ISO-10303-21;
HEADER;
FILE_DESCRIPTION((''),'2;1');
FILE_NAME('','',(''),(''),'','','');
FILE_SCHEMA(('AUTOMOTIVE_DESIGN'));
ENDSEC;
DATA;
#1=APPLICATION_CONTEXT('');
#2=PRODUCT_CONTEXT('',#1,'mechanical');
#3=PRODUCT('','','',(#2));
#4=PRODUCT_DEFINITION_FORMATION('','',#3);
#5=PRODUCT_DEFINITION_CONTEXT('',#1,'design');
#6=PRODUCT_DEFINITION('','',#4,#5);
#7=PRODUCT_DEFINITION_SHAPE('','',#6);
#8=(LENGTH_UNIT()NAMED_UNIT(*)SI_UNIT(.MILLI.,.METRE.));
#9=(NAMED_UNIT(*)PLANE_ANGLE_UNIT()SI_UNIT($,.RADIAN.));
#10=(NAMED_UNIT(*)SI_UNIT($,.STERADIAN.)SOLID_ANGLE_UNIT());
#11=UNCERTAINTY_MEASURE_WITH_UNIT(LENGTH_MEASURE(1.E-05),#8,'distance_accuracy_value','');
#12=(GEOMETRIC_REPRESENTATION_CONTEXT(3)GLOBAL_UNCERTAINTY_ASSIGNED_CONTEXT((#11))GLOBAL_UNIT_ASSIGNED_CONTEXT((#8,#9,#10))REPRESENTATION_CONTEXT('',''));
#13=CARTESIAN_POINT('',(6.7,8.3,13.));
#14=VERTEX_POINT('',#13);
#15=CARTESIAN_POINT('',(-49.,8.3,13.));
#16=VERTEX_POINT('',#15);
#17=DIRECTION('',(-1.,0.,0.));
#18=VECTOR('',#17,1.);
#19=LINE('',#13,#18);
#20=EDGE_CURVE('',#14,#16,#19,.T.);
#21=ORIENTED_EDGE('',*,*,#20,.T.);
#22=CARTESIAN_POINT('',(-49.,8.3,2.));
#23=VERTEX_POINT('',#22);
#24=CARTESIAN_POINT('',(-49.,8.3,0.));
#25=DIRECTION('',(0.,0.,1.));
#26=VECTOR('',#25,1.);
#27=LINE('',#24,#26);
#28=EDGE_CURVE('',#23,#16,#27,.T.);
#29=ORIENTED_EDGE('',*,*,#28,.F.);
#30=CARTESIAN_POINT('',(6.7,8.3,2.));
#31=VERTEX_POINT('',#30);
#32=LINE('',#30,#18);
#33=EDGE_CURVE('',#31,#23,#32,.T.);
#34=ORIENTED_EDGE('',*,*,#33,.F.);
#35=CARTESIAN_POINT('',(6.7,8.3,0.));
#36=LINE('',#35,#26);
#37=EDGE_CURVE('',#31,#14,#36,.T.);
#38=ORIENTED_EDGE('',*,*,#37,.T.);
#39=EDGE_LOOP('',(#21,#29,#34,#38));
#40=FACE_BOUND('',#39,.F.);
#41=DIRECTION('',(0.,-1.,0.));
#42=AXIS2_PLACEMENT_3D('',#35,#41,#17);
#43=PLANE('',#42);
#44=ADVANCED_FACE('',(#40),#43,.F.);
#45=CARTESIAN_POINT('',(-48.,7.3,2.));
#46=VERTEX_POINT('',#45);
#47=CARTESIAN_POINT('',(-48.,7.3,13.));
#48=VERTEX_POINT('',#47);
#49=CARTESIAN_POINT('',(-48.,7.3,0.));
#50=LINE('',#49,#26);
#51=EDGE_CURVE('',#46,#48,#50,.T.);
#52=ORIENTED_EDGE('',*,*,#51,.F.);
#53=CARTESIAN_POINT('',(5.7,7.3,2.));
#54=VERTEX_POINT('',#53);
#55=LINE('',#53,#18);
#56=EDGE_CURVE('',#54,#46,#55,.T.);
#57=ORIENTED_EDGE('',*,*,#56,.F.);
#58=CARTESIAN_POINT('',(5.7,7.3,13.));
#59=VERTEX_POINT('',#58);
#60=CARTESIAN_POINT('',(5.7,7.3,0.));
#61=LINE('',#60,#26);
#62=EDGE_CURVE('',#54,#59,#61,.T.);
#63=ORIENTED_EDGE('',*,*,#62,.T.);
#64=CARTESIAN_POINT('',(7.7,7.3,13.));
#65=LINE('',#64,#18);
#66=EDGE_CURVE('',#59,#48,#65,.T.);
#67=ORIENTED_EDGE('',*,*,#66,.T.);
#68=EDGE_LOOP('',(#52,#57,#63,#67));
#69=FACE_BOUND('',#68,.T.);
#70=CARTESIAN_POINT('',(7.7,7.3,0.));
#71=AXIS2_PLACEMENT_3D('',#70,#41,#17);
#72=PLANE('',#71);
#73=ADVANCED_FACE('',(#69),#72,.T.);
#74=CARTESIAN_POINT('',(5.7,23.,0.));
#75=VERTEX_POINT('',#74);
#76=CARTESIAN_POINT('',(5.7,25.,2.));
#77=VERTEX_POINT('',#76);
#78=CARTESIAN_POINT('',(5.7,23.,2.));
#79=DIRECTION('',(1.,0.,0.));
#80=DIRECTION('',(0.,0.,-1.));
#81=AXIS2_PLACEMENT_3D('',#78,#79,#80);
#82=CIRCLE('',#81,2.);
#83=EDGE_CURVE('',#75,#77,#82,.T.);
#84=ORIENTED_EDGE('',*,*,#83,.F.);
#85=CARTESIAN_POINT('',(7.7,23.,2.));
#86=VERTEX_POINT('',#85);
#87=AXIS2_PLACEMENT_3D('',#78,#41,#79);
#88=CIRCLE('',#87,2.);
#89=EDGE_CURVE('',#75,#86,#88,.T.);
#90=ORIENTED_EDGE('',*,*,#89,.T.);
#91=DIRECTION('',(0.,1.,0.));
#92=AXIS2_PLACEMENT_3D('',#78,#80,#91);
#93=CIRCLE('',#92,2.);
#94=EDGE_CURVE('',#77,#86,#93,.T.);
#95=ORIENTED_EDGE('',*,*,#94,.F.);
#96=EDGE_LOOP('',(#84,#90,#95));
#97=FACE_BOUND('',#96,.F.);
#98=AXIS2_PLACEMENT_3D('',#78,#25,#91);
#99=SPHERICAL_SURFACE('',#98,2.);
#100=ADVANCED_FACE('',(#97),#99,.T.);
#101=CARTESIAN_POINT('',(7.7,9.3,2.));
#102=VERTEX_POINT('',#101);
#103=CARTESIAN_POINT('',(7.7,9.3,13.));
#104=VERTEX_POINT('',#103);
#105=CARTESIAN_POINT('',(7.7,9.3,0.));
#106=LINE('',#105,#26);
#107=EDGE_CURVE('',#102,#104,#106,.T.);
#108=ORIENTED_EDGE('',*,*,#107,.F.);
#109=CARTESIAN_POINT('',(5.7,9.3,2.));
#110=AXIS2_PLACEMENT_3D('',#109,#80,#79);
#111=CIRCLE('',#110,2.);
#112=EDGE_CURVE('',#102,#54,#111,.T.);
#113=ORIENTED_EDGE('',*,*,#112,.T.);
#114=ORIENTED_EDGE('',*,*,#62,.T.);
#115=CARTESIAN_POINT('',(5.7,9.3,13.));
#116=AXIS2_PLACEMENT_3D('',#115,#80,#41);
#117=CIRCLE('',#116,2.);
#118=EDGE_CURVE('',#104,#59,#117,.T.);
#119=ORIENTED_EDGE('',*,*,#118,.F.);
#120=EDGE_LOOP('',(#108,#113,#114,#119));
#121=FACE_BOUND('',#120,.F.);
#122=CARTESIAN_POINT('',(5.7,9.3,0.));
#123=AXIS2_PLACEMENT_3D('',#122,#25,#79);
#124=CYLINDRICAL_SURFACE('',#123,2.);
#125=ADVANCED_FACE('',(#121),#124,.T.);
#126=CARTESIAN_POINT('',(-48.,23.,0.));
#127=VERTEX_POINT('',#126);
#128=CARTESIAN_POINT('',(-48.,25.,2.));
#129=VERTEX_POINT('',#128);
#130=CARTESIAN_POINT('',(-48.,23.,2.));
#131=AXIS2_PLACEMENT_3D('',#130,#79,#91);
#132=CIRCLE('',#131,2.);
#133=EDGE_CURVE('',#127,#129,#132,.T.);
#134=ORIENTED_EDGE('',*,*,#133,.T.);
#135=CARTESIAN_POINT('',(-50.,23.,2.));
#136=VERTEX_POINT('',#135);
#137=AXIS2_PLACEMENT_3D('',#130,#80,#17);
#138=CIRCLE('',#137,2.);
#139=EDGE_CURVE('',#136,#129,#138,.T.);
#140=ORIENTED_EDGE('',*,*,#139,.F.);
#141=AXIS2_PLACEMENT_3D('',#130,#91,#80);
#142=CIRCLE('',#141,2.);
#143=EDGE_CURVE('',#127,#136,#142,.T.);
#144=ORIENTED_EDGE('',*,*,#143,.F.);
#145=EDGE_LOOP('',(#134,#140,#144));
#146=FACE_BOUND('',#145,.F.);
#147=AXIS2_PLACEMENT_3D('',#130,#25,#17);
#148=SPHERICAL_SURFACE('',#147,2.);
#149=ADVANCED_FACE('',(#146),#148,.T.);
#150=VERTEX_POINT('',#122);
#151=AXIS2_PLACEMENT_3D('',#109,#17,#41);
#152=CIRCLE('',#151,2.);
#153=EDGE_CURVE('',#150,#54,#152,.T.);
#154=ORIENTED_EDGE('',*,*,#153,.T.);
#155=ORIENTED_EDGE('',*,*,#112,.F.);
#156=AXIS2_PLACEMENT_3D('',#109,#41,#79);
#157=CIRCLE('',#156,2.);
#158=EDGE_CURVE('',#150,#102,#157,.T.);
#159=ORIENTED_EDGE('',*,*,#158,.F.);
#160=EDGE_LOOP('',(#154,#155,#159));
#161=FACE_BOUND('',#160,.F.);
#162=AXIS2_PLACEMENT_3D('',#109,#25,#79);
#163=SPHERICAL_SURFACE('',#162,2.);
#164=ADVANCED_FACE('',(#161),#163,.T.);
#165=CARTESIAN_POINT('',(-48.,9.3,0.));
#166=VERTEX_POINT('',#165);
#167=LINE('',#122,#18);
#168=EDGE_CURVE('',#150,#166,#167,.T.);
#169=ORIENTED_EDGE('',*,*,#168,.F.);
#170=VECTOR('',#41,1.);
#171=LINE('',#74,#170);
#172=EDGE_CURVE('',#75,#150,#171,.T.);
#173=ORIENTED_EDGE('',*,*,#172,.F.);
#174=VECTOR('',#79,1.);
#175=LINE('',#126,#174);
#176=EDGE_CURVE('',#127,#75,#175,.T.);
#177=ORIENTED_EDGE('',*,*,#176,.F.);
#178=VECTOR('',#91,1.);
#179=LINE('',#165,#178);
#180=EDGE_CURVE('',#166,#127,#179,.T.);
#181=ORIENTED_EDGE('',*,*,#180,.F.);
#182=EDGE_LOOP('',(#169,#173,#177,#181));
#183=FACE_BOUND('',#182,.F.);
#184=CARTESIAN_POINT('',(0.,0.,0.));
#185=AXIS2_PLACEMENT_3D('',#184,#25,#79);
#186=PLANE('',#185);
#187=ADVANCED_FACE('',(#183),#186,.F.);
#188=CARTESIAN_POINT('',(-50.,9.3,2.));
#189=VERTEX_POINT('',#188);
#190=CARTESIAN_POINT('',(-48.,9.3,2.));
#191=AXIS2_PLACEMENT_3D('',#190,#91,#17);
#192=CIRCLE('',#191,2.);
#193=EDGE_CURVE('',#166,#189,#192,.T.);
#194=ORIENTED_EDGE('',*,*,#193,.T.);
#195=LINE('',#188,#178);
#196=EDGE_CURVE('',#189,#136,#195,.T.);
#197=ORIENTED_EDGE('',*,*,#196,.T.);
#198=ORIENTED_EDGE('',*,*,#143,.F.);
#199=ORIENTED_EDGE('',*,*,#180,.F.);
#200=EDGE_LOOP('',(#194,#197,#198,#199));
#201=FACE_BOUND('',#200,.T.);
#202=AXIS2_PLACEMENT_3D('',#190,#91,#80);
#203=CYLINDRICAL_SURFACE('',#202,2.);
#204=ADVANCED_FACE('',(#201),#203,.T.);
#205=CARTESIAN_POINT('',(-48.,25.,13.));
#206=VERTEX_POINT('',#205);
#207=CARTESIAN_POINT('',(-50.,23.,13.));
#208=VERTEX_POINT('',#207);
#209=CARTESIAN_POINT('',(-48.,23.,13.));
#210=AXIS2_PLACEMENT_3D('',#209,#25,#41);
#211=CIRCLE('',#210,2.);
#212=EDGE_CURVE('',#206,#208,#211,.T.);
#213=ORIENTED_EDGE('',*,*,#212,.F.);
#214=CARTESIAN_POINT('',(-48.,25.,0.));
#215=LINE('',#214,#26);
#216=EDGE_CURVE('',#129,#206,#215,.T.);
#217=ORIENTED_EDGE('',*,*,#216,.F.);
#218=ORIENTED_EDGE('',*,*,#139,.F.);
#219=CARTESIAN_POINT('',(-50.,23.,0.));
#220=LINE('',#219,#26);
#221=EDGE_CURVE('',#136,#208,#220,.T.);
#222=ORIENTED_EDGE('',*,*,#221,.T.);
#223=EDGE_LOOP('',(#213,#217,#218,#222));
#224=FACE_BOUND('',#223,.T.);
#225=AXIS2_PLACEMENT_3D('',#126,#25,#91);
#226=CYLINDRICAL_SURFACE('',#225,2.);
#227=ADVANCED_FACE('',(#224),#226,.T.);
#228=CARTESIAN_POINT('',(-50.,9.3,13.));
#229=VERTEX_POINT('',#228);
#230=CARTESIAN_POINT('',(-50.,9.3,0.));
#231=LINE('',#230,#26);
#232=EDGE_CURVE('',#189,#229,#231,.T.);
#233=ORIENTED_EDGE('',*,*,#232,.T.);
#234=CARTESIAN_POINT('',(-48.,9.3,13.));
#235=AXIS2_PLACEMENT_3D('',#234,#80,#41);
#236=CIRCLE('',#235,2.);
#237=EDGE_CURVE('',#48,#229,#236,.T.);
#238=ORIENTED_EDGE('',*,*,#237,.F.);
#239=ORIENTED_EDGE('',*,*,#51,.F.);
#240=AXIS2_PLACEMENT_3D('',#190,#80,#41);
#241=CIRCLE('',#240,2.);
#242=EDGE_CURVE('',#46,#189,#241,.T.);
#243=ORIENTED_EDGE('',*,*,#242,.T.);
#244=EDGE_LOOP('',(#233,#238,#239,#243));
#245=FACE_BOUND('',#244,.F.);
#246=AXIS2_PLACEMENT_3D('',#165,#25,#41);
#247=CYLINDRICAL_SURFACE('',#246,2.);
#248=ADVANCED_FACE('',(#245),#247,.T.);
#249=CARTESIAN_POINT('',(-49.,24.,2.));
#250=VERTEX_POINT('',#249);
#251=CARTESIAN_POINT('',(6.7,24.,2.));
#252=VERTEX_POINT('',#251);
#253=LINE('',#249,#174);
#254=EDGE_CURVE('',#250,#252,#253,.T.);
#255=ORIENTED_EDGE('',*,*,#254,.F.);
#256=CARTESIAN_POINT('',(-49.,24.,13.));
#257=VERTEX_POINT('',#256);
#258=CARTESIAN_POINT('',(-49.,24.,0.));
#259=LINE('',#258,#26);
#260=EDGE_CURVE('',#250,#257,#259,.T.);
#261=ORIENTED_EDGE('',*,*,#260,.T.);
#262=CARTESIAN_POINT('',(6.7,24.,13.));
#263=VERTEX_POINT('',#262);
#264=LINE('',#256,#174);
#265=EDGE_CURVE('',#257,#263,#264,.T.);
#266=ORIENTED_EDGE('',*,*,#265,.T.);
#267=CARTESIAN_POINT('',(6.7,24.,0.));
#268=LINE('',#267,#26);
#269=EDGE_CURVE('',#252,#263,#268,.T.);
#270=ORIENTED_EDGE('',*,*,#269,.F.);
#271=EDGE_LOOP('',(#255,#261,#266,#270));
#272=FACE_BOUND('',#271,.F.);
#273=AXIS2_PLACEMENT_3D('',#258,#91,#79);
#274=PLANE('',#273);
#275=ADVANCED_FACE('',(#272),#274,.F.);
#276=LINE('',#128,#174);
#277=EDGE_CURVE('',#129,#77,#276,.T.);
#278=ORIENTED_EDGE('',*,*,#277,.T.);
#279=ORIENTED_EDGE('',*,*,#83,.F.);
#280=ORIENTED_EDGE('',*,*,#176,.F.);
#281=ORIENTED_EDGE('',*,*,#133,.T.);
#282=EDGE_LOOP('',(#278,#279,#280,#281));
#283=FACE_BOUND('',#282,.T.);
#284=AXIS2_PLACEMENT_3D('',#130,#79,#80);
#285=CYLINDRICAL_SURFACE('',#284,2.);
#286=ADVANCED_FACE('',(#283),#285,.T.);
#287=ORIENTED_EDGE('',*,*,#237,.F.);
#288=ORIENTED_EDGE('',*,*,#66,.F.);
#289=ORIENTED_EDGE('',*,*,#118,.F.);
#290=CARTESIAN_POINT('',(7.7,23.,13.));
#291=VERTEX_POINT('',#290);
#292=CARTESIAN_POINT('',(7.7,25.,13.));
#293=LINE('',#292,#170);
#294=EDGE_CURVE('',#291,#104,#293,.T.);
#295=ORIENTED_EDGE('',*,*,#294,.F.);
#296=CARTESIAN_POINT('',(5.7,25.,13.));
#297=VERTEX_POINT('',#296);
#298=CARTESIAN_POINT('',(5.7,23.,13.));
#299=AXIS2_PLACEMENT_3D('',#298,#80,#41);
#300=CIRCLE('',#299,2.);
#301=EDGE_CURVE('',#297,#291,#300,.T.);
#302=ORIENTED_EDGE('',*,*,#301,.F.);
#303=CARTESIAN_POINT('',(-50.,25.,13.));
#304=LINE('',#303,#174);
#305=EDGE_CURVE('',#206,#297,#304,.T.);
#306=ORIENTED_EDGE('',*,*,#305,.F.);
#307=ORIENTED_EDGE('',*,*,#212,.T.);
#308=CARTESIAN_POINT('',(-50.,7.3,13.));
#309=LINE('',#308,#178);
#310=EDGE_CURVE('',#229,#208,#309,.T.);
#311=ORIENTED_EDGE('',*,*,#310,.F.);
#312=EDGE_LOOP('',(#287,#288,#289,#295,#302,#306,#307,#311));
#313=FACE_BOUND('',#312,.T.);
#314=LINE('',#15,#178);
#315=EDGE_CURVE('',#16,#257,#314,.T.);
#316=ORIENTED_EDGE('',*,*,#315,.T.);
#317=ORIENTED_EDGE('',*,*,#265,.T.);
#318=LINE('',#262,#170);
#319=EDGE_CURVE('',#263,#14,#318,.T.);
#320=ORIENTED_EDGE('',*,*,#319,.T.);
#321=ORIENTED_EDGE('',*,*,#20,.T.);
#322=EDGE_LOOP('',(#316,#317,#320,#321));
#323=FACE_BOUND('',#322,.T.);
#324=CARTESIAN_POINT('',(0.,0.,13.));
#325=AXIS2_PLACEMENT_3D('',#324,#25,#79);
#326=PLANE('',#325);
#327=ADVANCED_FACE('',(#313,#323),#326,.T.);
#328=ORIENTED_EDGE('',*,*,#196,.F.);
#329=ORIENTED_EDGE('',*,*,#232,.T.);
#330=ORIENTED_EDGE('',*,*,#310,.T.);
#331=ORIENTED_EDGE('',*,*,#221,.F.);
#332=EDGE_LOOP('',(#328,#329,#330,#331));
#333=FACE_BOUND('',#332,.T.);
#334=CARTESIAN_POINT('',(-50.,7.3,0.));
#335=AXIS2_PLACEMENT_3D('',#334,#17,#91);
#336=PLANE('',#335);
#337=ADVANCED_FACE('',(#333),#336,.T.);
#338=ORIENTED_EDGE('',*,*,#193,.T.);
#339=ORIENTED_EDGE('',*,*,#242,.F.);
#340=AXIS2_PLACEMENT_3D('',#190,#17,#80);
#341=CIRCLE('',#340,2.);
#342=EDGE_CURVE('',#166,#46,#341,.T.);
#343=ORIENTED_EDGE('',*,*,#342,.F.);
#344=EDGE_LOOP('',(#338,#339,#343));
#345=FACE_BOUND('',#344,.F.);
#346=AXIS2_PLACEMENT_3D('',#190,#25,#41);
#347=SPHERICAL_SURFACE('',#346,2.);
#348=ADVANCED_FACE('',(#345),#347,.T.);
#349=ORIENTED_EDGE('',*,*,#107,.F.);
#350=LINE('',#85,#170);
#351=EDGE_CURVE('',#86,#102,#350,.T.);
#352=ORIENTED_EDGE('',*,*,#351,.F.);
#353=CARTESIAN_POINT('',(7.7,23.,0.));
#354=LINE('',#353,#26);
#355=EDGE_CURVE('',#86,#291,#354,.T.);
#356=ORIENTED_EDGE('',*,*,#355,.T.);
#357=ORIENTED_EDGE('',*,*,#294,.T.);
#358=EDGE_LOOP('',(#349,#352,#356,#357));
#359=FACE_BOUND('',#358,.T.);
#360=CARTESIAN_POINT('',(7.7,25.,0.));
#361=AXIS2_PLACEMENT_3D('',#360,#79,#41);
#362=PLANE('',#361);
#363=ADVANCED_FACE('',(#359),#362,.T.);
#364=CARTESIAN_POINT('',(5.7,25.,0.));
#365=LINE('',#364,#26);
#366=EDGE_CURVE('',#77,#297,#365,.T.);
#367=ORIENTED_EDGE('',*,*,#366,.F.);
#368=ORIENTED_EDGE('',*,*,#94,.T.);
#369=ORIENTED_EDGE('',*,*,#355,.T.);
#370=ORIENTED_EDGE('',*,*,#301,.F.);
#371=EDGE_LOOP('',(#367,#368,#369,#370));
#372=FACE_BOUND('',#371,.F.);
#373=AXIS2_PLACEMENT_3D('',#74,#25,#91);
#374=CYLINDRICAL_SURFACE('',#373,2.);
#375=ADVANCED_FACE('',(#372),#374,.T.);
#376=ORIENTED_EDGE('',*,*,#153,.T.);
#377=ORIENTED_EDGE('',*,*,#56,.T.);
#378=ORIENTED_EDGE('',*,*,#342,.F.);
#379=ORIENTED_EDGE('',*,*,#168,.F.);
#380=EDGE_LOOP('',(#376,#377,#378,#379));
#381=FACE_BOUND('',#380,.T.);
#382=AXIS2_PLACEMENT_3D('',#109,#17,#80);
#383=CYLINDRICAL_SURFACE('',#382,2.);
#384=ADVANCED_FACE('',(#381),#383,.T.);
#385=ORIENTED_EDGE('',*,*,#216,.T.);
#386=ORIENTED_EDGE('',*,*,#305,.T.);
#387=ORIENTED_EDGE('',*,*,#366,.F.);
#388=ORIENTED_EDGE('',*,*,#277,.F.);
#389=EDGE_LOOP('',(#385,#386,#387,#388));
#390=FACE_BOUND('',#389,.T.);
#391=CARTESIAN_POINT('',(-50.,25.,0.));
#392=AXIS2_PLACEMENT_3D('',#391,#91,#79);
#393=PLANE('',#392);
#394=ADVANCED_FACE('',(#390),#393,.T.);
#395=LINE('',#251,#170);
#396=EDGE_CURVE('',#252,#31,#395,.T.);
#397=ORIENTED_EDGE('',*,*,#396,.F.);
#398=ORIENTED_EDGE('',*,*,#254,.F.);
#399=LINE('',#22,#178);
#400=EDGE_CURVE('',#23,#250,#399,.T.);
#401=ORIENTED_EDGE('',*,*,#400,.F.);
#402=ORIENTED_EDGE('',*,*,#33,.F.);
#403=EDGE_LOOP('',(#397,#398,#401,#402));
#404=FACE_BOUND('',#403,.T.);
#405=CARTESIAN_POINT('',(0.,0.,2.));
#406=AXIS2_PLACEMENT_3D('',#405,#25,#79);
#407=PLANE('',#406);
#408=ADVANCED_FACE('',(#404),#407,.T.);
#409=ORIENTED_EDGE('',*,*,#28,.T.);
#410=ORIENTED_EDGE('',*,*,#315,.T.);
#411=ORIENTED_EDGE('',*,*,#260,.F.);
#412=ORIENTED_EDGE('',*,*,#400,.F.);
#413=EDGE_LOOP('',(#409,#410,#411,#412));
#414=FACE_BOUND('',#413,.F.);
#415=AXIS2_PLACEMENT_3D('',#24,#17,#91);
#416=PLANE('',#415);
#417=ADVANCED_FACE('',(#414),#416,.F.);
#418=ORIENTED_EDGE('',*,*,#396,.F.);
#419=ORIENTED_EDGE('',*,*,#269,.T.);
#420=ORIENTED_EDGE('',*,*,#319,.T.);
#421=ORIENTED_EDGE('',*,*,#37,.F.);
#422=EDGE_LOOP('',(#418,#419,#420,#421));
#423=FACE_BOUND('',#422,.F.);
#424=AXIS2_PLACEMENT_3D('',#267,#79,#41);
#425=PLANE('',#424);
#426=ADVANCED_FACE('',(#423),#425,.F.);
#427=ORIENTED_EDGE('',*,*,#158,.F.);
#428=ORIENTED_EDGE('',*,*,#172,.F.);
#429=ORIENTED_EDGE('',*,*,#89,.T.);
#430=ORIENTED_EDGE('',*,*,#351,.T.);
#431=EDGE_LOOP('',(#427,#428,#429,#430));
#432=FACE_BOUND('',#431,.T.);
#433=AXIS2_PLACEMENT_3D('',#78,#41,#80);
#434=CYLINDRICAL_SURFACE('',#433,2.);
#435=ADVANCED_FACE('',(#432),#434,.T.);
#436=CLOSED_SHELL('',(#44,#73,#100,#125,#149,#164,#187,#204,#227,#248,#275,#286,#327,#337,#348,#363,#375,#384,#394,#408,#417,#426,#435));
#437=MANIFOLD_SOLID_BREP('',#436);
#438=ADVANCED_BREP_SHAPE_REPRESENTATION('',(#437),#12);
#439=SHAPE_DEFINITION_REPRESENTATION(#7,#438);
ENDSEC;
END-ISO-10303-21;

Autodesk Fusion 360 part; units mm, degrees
sketch "Sketch1" plane through (0, 0, 0) normal (0, 0, 1) x (1, 0, 0)
  line L0 (-50, 25) -> (7.7, 25)
  line L1 (7.7, 25) -> (7.7, 7.3)
  line L2 (7.7, 7.3) -> (-50, 7.3)
  line L3 (-50, 7.3) -> (-50, 25)
  line L4 (6.7, 8.3) -> (-49, 8.3)
  line L5 (-49, 8.3) -> (-49, 24)
  line L6 (-49, 24) -> (6.7, 24)
  line L7 (6.7, 24) -> (6.7, 8.3)
  line L8 (6.7, 8.3) -> (-49, 24) construction
  line L9 (-49, 8.3) -> (6.7, 24) construction
  point P0 (-21.15, 16.15)
  dimension "d1" = 57.7
  dimension "d2" = 17.7
  dimension "d3" = 55.7
  dimension "d4" = 15.7
extrude "Extrude1" add sketch "Sketch1" along normal blind 2 contours L4 L5 L6 L7
extrude "Extrude2" add sketch "Sketch1" along normal blind 13
fillet "Fillet1" radius 2 4 edges at (7.7, 7.3, 6.5) (7.7, 25, 6.5) (-50, 7.3, 6.5) (-50, 25, 6.5)
fillet "Fillet2" radius 2 8 edges at (7.1142, 7.8858, 0) (-21.15, 7.3, 0) (-49.4142, 7.8858, 0) (-50, 16.15, 0) (-49.4142, 24.4142, 0) (-21.15, 25, 0) (7.1142, 24.4142, 0) (7.7, 16.15, 0)
